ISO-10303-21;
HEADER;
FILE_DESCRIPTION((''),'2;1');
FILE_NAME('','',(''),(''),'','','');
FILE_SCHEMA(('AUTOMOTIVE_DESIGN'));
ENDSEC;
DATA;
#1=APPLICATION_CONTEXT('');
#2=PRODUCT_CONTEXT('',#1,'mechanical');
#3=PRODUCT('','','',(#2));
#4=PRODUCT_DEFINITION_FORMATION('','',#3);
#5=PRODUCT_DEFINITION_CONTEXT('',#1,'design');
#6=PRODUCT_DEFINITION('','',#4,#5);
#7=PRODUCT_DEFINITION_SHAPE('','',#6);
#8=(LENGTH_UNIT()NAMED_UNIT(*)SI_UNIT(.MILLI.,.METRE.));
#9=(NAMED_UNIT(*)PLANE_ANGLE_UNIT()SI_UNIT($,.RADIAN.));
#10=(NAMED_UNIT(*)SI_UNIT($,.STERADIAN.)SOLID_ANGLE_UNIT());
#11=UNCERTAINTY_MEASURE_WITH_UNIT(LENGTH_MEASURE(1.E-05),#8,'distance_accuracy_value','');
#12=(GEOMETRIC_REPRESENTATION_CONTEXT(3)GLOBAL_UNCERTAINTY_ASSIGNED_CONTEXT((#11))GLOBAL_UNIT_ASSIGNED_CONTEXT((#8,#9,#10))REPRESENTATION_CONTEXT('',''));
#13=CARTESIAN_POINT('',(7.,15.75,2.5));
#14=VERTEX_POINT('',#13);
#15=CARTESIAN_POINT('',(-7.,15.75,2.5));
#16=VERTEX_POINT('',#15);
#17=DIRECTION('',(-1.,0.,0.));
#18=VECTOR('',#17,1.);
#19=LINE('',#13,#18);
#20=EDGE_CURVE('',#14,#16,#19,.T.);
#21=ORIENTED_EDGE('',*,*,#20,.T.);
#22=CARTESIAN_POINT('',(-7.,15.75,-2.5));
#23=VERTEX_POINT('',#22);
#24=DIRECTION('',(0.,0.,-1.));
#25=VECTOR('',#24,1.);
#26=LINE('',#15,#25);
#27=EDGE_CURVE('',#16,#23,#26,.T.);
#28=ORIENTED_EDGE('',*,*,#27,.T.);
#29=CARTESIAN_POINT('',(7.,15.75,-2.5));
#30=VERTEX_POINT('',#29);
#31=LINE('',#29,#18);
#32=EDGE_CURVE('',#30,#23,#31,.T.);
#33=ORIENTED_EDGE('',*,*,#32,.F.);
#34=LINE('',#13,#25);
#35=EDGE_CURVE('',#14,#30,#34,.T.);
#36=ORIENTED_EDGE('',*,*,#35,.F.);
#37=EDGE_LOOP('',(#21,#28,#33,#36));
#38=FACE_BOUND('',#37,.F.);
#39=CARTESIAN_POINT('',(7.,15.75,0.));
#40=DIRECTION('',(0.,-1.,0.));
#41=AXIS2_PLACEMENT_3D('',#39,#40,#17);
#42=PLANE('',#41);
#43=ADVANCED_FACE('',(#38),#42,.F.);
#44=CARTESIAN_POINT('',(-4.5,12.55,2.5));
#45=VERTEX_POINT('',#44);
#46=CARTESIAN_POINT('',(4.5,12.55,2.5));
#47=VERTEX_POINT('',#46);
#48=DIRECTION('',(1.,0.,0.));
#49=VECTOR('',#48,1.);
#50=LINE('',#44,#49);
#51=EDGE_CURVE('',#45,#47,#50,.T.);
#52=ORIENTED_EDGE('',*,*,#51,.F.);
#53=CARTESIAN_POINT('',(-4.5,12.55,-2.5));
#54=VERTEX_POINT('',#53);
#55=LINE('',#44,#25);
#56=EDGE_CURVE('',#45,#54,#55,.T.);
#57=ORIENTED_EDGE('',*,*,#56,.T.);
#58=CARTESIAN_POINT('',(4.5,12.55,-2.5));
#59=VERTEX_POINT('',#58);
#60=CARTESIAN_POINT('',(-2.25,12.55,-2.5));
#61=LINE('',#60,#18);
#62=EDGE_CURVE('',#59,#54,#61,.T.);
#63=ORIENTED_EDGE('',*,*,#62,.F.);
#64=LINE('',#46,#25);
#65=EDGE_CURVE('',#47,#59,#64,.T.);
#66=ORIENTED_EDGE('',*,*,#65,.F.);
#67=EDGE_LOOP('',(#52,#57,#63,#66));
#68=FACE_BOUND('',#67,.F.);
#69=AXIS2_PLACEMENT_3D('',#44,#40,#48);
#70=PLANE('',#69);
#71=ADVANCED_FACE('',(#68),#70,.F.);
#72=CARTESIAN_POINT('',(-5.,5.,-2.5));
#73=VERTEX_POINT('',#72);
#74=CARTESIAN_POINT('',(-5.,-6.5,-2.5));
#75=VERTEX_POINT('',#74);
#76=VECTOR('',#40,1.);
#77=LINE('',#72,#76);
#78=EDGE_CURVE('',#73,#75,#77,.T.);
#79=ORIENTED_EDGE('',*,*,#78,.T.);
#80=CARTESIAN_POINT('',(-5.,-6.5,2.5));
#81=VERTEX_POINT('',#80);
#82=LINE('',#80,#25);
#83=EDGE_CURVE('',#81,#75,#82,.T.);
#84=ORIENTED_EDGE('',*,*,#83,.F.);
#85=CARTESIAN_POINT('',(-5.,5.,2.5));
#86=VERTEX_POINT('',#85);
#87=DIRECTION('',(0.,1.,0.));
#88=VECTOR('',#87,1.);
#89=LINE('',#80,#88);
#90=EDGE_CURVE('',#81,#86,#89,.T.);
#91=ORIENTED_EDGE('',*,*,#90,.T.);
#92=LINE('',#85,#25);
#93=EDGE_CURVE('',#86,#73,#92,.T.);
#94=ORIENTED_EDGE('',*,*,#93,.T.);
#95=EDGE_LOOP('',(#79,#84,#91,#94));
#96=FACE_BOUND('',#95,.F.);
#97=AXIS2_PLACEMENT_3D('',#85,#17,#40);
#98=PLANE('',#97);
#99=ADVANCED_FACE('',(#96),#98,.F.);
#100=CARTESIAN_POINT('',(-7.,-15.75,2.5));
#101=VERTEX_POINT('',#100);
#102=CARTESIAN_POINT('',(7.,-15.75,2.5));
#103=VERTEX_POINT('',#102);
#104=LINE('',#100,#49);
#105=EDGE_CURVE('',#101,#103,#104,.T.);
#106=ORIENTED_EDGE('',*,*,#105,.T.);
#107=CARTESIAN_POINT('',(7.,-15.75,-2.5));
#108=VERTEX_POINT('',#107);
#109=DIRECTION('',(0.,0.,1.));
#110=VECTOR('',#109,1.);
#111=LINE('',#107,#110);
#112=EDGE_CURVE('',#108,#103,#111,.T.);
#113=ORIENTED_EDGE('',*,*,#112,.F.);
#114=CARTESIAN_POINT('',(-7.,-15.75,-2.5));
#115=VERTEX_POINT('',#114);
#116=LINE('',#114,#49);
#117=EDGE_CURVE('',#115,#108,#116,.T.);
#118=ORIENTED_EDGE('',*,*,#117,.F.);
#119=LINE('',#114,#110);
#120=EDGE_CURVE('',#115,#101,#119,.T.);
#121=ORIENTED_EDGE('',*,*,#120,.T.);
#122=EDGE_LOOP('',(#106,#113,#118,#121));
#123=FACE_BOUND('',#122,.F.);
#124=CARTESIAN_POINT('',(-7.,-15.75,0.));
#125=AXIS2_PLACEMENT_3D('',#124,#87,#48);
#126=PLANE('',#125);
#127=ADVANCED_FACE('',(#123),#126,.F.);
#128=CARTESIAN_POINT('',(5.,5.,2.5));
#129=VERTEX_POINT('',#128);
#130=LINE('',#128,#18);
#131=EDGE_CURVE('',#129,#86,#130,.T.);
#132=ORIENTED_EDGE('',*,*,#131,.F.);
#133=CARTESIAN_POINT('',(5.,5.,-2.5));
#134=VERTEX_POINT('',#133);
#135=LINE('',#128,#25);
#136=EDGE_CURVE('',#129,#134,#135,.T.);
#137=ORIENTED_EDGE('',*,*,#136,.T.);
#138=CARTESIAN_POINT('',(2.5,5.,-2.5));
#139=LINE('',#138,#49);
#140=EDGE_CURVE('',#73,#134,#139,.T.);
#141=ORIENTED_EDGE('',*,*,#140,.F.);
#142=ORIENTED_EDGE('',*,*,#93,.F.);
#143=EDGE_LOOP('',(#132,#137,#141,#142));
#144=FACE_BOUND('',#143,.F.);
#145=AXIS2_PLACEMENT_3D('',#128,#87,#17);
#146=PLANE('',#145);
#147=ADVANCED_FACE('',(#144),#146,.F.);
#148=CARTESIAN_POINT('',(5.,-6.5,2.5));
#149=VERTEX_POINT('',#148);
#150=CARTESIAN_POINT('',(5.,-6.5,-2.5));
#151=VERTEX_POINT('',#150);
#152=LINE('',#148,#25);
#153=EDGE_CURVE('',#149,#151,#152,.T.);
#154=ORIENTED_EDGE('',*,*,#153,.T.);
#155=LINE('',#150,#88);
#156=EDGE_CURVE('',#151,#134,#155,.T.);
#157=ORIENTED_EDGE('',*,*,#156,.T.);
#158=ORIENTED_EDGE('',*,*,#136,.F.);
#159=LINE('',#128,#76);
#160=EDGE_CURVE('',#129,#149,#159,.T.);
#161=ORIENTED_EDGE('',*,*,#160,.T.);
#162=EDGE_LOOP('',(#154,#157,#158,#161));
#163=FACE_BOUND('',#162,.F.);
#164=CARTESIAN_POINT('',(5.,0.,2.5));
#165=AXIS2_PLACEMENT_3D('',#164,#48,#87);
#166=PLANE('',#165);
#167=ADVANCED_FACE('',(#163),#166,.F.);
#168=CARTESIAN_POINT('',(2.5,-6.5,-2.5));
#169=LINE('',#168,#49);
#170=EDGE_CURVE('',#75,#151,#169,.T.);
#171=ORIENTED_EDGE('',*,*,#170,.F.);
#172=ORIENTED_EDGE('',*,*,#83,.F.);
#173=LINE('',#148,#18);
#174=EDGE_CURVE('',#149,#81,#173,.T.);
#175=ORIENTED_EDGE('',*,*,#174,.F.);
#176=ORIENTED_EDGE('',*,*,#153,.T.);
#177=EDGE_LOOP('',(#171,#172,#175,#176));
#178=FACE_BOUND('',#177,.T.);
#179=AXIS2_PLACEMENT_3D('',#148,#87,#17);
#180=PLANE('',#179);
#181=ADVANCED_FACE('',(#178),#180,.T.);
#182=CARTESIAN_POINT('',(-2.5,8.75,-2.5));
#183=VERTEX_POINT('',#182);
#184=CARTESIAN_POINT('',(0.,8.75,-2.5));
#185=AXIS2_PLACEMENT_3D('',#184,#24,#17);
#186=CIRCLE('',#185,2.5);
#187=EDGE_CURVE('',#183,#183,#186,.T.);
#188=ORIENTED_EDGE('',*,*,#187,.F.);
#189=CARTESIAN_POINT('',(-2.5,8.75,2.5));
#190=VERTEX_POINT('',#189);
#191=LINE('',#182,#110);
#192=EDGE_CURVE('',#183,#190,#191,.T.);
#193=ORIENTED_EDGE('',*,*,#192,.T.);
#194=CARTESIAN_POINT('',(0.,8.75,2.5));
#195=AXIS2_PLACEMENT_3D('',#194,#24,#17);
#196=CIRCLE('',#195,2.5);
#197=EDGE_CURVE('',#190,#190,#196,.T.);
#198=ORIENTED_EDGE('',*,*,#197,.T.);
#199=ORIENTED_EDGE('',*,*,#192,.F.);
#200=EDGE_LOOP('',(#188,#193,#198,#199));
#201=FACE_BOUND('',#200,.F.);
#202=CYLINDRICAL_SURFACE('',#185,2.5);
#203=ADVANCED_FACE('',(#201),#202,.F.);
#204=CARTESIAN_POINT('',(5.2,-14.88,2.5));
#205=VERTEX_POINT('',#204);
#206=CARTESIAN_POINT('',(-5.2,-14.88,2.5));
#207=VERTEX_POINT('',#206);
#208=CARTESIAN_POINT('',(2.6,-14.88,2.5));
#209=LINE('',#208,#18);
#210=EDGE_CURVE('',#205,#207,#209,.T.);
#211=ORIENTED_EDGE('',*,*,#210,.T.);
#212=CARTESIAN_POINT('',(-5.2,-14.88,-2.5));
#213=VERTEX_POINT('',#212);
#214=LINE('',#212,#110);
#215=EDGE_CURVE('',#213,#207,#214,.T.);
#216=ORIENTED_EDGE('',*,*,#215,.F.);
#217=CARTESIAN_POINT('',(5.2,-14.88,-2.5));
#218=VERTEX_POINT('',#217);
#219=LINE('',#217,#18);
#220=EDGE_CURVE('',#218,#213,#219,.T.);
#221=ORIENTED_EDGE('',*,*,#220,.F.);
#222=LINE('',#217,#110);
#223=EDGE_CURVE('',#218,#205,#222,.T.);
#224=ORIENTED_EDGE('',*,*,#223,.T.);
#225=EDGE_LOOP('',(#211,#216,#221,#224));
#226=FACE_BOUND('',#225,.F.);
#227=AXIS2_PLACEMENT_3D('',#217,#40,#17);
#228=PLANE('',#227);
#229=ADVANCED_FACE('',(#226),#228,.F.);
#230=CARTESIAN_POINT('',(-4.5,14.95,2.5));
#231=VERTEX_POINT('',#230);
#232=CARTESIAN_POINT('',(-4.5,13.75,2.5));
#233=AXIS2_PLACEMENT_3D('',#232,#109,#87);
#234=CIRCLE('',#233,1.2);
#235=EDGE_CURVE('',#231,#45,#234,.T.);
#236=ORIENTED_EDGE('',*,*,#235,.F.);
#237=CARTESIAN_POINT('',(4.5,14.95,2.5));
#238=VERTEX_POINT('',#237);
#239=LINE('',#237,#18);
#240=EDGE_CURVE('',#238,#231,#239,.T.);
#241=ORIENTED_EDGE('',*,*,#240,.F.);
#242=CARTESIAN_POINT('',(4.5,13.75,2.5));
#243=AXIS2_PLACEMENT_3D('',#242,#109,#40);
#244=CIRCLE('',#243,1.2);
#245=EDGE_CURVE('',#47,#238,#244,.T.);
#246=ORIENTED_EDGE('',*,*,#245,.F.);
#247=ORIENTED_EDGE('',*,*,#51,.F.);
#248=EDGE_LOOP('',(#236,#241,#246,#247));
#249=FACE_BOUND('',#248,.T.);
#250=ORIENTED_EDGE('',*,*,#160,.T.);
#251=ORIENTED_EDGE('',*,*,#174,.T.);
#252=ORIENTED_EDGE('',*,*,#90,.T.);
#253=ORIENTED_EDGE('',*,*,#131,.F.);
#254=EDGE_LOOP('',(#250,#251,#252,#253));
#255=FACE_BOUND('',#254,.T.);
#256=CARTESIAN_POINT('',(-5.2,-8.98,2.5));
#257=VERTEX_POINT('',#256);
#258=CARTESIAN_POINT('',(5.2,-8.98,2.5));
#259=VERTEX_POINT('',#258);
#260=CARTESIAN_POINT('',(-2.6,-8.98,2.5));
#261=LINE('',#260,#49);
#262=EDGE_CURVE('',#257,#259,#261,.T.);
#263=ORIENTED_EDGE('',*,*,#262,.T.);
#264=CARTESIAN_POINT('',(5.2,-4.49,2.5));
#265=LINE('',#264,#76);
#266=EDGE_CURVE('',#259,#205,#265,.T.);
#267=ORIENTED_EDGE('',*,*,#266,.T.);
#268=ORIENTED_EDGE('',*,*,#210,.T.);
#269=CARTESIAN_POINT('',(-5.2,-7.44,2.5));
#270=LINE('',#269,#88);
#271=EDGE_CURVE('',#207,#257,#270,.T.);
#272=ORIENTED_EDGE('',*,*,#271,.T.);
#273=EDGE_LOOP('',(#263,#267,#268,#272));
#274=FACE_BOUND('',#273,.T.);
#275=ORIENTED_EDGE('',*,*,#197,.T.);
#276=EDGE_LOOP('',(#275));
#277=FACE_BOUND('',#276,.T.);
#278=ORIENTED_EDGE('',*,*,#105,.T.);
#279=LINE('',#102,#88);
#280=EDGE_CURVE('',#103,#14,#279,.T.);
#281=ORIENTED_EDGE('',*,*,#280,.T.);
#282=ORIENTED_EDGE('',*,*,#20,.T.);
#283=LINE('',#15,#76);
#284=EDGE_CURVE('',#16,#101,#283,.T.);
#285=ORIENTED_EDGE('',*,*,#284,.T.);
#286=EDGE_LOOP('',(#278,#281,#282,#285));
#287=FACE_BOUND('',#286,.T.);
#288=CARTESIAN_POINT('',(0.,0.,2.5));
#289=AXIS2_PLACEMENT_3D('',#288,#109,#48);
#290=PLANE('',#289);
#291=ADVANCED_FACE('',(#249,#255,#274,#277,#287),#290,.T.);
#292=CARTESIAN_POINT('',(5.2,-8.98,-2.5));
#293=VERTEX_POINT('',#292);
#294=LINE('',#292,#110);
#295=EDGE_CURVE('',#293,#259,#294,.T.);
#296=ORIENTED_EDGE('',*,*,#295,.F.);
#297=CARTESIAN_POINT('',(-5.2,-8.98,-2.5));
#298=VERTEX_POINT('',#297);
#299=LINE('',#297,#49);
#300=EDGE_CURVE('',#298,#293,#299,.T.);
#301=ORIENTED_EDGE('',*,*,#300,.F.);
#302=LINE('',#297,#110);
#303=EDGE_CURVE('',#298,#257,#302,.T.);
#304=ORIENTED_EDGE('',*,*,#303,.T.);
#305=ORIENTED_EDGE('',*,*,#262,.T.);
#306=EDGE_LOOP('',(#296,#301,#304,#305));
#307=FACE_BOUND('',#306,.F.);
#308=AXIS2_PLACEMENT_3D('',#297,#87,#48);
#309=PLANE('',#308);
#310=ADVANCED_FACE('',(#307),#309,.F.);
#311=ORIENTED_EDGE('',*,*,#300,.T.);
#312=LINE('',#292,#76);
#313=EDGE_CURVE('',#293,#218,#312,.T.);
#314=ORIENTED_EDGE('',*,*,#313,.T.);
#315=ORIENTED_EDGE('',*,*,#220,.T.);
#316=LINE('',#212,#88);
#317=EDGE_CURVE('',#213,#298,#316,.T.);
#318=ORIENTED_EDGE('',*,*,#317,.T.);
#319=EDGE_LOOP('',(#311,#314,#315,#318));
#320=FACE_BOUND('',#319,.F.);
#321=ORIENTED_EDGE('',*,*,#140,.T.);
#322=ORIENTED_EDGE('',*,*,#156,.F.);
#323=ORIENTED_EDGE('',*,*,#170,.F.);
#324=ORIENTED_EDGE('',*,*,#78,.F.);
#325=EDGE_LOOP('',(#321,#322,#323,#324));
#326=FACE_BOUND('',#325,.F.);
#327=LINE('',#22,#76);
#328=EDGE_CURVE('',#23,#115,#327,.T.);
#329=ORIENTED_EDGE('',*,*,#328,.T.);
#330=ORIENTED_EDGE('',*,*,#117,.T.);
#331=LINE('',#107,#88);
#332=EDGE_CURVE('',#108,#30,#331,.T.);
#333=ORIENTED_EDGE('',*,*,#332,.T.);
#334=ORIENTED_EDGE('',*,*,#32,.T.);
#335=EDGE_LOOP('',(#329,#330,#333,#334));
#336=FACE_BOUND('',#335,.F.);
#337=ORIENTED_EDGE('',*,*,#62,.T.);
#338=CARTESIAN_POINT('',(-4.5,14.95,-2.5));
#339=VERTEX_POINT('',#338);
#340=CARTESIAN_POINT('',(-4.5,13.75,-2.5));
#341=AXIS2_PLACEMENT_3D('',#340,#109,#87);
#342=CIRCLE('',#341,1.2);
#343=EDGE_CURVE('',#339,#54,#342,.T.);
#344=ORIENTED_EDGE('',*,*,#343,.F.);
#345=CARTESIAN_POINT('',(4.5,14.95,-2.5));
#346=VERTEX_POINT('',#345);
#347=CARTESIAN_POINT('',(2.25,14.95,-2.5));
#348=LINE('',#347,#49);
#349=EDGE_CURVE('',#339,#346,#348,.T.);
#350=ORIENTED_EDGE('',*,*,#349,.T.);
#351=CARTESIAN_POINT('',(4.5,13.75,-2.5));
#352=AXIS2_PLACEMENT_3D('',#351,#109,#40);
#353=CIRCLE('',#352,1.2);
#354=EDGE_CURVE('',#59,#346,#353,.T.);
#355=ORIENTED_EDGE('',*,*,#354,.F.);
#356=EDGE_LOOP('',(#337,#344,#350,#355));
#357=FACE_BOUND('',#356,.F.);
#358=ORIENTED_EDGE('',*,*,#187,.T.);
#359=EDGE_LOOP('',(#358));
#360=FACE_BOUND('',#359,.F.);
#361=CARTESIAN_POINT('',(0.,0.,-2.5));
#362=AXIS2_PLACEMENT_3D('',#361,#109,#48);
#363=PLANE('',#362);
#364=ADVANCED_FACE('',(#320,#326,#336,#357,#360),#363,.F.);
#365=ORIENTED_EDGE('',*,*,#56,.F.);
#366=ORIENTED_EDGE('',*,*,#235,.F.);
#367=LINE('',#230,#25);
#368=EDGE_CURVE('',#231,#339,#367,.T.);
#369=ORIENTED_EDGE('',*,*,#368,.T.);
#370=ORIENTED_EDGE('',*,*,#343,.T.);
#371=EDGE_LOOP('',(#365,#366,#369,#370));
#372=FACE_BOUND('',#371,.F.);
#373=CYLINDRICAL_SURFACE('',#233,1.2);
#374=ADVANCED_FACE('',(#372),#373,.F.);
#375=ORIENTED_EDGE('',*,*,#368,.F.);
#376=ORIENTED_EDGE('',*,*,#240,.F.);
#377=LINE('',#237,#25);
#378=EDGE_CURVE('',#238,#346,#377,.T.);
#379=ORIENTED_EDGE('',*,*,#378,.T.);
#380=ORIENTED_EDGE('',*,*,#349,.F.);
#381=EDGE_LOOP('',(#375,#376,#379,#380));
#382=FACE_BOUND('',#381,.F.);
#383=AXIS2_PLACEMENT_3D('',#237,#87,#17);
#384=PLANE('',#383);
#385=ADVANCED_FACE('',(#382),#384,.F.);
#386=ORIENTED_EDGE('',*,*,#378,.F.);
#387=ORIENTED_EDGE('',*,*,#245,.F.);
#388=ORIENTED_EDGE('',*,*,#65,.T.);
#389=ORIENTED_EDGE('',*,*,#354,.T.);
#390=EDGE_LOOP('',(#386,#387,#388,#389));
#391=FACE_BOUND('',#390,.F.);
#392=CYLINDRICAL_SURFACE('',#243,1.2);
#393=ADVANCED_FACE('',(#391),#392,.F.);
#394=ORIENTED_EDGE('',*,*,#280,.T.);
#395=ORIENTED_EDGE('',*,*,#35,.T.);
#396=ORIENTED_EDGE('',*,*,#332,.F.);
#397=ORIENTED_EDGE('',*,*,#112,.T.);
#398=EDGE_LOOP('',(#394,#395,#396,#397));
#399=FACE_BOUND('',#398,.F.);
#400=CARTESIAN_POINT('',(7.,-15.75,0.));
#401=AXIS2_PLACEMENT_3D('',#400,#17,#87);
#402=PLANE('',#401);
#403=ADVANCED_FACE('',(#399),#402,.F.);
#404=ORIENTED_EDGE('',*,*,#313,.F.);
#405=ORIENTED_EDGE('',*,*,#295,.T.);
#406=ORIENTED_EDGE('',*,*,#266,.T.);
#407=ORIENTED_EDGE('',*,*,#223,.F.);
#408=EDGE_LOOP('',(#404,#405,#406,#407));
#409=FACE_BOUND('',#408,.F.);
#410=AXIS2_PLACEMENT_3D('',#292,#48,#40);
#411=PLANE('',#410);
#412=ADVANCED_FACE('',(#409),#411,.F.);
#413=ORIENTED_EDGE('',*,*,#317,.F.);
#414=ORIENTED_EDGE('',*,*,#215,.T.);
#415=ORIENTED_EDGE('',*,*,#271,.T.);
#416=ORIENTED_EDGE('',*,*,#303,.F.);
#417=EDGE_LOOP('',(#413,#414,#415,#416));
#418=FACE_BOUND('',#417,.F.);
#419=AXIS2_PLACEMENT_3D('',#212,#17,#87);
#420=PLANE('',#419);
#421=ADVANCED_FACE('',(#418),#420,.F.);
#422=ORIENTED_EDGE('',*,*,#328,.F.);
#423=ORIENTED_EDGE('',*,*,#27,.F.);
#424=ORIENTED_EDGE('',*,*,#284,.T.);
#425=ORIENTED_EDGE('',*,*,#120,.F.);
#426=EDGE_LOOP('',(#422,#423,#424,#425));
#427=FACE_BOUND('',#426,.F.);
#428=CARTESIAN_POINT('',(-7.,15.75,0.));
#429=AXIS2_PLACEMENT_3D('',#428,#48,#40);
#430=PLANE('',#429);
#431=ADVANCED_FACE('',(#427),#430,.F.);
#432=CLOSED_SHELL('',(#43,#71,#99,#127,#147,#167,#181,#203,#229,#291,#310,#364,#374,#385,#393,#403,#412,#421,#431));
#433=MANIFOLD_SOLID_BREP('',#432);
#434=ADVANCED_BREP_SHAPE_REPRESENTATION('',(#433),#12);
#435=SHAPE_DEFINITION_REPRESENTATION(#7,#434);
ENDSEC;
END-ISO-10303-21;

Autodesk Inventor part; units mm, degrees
sketch "Эскиз1" plane through (0, 0, 0) normal (0, 0, 1) x (1, 0, 0)
  line L0 (-7, -15.75) -> (7, -15.75)
  line L1 (7, -15.75) -> (7, 15.75)
  line L2 (7, 15.75) -> (-7, 15.75)
  line L3 (-7, 15.75) -> (-7, -15.75)
  line L4 (-7, -15.75) -> (7, 15.75) construction
  line L5 (7, -15.75) -> (-7, 15.75) construction
  point P0 (0, 0)
  dimension "d0" = 14
  dimension "d1" = 31.5
extrude "Выдавливание1" add sketch "Эскиз1" along normal mid plane 5
sketch "Эскиз2" plane through (0, 0, -2.5) normal (0, 0, -1) x (-1, 0, 0)
  circle A0 centre (0, 8.75) radius 1.5 projected
  circle A1 centre (0, 8.75) radius 2.5
  point P0 (0, 0)
  dimension "d7" = 1
sketch "Эскиз3" plane through (0, 0, -2.5) normal (0, 0, -1) x (-1, 0, 0)
  line L0 (-5.2, -14.88) -> (5.2, -14.88)
  line L1 (5.2, -14.88) -> (5.2, -8.98)
  line L2 (5.2, -8.98) -> (-5.2, -8.98)
  line L3 (-5.2, -8.98) -> (-5.2, -14.88)
  line L4 (-5.2, -14.88) -> (5.2, -8.98) construction
  line L5 (5.2, -14.88) -> (-5.2, -8.98) construction
  line L6 (-7, -15.75) -> (7, -15.75) projected
  line L7 (0, -22.05) -> (0, 22.05) construction
  point P0 (0, 0)
  point P1 (0, -11.93)
  dimension "d4" = 0.87
  dimension "d5" = 5.9
  dimension "d6" = 10.4
extrude "Выдавливание2" cut sketch "Эскиз2" against normal up to next contours A0 | A1
extrude "Выдавливание3" cut sketch "Эскиз3" against normal up to next
sketch "Эскиз4" plane through (0, 0, 2.5) normal (0, 0, 1) x (1, 0, 0)
  line L0 (-4.5, 13.75) -> (4.5, 13.75) construction
  line L1 (-4.5, 12.55) -> (4.5, 12.55)
  line L2 (4.5, 14.95) -> (-4.5, 14.95)
  arc A0 (-4.5, 14.95) -> (-4.5, 12.55) centre (-4.5, 13.75) ccw
  arc A1 (4.5, 12.55) -> (4.5, 14.95) centre (4.5, 13.75) ccw
  line L3 (7, 15.75) -> (-7, 15.75) projected
  line L4 (0, 22.05) -> (0, -22.05) construction
  point P0 (0, 0)
  point P1 (0, 13.75)
  dimension "d12" = 9
  dimension "d13" = 1.2
  dimension "d14" = 2
extrude "Выдавливание4" cut sketch "Эскиз4" against normal up to next
sketch "Эскиз5" plane through (0, 0, 2.5) normal (0, 0, 1) x (1, 0, 0)
  line L0 (-9.8, 0) -> (9.8, 0) construction
  line L1 (-5, 0) -> (5, 0) construction
  line L2 (5, 0) -> (5, -6.5)
  line L3 (5, -6.5) -> (-5, -6.5)
  line L4 (-5, -6.5) -> (-5, 0)
  line L5 (-5, 0) -> (5, 0) construction
  line L6 (5, 0) -> (5, 5)
  line L7 (5, 5) -> (-5, 5)
  line L8 (-5, 5) -> (-5, 0)
  line L9 (-5, 5) -> (5, -6.5) construction
  line L10 (5, 5) -> (-5, -6.5) construction
  line L11 (0, 22.05) -> (0, -22.05) construction
  point P0 (0, -0.75)
  dimension "d22" = 6.5
  dimension "d23" = 5
  dimension "d24" = 10
extrude "Выдавливание5" cut sketch "Эскиз5" against normal up to next
properties part number "Крепление_TCRT"
